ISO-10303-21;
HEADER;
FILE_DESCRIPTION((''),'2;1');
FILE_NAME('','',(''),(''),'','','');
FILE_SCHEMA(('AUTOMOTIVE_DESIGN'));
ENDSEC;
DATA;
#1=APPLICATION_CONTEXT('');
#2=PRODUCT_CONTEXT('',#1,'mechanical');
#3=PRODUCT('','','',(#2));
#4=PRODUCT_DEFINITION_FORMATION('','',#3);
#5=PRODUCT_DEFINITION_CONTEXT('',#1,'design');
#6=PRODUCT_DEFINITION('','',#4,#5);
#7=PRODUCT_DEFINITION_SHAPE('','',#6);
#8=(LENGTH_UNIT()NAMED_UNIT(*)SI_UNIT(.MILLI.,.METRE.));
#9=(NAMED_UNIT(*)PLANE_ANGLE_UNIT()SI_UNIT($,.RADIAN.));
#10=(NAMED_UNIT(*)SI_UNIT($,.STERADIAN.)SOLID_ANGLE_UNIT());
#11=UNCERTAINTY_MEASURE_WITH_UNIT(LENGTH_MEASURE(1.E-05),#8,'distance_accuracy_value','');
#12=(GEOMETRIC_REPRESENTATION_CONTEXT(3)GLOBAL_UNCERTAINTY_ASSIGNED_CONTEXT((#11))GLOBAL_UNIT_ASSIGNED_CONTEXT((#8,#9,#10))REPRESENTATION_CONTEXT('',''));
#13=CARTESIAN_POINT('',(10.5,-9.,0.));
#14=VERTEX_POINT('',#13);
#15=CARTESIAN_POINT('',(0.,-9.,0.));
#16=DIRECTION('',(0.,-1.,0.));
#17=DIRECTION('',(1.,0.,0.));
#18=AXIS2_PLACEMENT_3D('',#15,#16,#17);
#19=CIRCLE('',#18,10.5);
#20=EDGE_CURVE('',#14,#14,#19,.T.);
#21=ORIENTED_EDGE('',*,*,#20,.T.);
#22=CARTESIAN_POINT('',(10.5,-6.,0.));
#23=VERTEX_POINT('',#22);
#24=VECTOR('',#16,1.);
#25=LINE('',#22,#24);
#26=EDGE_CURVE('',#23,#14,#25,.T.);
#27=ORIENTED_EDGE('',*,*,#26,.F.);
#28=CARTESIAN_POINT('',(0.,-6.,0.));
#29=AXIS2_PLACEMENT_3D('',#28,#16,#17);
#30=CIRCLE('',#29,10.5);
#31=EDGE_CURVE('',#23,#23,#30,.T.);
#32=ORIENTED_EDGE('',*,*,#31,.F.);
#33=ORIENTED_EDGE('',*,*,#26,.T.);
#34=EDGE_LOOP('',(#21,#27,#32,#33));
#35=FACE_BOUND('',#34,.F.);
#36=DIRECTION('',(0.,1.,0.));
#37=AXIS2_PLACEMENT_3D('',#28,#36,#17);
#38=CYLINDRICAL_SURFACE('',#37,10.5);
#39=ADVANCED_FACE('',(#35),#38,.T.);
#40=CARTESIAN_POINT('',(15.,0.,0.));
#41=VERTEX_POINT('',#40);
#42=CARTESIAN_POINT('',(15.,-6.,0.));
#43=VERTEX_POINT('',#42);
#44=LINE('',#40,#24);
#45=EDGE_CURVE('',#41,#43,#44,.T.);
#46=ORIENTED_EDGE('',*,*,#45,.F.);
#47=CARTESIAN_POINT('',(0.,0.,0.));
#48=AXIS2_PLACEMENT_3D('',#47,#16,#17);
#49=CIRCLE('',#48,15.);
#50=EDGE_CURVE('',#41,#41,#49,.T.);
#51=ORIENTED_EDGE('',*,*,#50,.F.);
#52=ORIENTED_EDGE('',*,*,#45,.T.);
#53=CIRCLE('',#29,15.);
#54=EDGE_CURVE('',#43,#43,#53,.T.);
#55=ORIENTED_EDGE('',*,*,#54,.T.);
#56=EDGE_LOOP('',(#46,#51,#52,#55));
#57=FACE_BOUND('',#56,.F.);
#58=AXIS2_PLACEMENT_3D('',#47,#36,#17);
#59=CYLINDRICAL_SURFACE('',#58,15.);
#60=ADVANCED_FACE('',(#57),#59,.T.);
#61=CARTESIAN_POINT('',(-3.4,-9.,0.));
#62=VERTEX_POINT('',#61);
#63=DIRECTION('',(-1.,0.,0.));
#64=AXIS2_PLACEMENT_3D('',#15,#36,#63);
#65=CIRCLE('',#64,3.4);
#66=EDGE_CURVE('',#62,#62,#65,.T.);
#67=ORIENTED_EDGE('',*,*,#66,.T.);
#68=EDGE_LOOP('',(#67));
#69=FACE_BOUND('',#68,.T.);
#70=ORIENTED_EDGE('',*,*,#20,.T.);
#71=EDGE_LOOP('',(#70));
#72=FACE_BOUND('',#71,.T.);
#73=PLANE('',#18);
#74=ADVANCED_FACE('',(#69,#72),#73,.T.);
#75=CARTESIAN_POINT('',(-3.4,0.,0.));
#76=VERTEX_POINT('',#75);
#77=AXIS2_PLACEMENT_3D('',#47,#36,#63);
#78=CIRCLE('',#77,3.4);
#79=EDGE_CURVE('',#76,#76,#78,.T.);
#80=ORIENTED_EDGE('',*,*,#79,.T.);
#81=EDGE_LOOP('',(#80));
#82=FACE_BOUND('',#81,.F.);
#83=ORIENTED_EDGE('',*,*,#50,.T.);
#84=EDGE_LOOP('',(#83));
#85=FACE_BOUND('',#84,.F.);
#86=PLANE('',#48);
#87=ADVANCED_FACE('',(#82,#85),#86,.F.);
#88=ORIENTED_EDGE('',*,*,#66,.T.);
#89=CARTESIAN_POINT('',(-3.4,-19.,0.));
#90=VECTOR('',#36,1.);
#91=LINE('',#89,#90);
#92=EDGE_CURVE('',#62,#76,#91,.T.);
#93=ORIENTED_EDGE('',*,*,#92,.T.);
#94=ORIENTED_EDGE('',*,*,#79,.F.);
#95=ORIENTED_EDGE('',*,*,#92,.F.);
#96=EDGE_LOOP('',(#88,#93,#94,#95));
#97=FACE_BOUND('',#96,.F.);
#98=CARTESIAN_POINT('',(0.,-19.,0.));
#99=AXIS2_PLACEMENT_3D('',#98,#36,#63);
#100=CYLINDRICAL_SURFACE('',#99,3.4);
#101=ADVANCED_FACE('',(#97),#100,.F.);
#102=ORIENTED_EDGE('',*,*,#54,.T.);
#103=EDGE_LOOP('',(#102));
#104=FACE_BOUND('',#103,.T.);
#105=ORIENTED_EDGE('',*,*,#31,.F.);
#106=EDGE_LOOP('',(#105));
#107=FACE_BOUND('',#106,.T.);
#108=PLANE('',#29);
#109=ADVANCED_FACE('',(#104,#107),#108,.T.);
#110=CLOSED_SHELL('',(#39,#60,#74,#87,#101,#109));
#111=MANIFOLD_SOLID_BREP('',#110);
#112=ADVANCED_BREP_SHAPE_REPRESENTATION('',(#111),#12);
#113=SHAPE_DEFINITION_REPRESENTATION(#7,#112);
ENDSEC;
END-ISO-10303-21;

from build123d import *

# Parameters (mm, degrees)
F0_R     = 15
F1_DEPTH = 6
F2_R     = 10.5
F3_DEPTH = 3
F5_D     = 6.8
F5_DEPTH = 10


with BuildPart() as f1:
    # F0 (on Front) → F1 (new body)
    with BuildSketch(Plane.XZ):
        Circle(F0_R)
    extrude(amount=F1_DEPTH)

    # F2 (on face) → F3 (join)
    with BuildSketch(Plane.XZ.offset(6)):
        Circle(F2_R)
    extrude(amount=F3_DEPTH)

    # F5
    with Locations(Plane.XZ.offset(9)):
        with Locations((0, 0)):
            Hole(F5_D / 2, depth=F5_DEPTH)


solid = f1.part
